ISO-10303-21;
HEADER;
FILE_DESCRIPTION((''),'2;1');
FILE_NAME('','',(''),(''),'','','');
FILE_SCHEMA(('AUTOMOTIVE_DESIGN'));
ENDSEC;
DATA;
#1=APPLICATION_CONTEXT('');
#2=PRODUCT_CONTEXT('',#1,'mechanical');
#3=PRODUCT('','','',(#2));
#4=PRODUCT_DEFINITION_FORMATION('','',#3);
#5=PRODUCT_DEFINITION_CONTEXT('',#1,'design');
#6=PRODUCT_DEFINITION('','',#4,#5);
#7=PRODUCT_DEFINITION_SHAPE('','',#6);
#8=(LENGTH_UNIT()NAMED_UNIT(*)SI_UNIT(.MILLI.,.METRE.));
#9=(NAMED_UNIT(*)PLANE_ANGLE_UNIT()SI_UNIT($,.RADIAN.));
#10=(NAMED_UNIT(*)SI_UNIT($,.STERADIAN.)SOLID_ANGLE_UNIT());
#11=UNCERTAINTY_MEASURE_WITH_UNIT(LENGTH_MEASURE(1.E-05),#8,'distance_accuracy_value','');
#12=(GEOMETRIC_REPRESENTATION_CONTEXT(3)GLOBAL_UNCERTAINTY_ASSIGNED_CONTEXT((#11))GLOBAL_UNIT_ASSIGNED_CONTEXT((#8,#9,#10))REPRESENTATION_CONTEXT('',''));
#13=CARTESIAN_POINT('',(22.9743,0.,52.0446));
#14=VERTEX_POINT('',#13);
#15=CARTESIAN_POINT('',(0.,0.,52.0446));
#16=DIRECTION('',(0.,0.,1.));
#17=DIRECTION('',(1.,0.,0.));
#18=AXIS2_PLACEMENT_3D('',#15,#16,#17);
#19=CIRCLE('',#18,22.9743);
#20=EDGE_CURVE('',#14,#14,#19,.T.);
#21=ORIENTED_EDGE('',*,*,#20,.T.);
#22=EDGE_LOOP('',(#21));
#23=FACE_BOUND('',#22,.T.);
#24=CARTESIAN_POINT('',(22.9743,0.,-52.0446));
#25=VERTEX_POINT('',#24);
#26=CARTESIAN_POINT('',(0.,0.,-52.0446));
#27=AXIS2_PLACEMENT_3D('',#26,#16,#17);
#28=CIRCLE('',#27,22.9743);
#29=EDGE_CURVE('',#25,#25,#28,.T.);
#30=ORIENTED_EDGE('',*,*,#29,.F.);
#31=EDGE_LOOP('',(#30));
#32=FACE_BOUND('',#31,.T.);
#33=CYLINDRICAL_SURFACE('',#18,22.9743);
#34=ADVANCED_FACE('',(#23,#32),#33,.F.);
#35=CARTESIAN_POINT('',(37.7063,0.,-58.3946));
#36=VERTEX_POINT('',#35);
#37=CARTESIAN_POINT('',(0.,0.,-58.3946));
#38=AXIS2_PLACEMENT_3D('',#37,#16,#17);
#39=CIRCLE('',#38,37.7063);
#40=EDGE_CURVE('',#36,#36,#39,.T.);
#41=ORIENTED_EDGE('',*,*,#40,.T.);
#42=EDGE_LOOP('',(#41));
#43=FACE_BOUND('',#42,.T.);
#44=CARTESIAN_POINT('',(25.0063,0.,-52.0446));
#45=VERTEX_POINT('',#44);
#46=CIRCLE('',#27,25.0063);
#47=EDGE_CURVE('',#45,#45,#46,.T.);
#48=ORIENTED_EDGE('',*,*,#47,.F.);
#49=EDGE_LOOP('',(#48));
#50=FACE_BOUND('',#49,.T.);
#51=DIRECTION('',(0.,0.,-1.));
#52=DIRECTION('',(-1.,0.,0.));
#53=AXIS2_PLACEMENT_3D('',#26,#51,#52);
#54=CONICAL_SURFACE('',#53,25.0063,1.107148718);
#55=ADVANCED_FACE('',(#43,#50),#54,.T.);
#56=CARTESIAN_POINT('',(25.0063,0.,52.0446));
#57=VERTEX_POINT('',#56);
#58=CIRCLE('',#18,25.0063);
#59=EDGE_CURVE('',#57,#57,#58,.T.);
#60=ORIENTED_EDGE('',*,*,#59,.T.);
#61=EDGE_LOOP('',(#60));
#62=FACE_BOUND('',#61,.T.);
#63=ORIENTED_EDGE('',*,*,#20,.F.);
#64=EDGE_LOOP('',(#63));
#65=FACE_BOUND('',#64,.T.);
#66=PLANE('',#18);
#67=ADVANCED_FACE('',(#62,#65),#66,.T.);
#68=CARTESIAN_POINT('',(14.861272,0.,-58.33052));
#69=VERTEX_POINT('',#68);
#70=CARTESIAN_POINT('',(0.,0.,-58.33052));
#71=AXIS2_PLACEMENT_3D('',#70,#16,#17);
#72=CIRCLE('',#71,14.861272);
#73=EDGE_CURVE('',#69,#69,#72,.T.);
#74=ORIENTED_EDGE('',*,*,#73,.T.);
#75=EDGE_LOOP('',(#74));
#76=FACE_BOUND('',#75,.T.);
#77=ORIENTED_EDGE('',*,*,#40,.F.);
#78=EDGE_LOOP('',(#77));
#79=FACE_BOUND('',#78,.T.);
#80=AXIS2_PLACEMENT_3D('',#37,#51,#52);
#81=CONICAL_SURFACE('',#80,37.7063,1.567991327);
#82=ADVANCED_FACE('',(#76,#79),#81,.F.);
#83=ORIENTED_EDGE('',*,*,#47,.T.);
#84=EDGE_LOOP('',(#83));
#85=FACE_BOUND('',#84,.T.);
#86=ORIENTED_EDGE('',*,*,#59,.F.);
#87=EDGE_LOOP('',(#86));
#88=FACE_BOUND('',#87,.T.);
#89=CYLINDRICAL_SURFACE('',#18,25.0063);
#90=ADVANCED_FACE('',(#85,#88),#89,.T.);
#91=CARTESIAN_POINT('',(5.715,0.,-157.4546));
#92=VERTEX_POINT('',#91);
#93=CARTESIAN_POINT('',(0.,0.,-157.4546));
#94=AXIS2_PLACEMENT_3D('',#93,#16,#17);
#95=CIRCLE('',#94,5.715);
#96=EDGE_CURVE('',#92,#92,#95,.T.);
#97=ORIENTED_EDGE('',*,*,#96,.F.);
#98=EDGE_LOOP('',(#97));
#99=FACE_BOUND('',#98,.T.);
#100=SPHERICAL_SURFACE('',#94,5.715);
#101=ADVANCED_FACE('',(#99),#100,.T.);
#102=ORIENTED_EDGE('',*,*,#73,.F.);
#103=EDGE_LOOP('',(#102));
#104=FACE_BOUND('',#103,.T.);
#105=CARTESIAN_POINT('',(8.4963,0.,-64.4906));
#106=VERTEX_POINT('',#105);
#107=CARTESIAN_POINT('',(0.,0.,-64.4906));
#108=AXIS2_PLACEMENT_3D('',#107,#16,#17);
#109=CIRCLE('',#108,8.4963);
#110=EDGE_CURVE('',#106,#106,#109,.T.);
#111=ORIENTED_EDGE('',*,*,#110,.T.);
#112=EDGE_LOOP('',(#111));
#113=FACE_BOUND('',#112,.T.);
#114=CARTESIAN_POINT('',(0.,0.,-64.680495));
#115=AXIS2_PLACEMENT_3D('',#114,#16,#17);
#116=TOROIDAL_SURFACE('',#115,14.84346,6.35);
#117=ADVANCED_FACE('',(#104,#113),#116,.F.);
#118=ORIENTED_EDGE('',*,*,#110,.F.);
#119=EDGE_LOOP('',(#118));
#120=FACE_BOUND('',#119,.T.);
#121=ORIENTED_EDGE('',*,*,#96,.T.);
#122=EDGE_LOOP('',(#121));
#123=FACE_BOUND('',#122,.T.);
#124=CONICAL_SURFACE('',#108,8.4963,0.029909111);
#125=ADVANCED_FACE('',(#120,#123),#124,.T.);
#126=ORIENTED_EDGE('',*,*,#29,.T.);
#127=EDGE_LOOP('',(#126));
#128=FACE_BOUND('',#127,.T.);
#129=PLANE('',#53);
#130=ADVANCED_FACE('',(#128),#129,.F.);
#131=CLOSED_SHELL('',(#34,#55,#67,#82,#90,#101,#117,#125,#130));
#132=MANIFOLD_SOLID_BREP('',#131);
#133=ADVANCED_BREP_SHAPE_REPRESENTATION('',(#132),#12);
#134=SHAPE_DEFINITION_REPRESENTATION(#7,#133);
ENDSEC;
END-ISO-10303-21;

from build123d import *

# Parameters (mm, degrees)
SKETCH1_W = 2.032
SKETCH1_H = 104.0892


with BuildPart() as part:
    # Sketch1 → Revolve1 (revolve)
    with BuildSketch(Plane(origin=(0, 0, 0), x_dir=(1, 0, 0), z_dir=(0, 1, 0))):
        with BuildLine():
            Line((8.4963, 64.4906), (5.715, 157.4546))
            ThreePointArc((5.715, 157.4546), (4.041115254, 161.495715254), (0, 163.1696))
            Line((0, 163.1696), (0, 52.0446))
            Line((0, 52.0446), (22.9743, 52.0446))
            Line((22.9743, 52.0446), (25.0063, 52.0446))
            Line((25.0063, 52.0446), (37.7063, 58.3946))
            Line((37.7063, 58.3946), (14.861271728, 58.330519522))
            ThreePointArc((14.861271728, 58.330519522), (10.4273746, 60.117525142), (8.4963, 64.4906))
        make_face()
        with Locations((23.9903, 0)):
            Rectangle(SKETCH1_W, SKETCH1_H)
    revolve(axis=Axis((0, 0, 52.0446), (0, 0, -1)))


solid = part.part
